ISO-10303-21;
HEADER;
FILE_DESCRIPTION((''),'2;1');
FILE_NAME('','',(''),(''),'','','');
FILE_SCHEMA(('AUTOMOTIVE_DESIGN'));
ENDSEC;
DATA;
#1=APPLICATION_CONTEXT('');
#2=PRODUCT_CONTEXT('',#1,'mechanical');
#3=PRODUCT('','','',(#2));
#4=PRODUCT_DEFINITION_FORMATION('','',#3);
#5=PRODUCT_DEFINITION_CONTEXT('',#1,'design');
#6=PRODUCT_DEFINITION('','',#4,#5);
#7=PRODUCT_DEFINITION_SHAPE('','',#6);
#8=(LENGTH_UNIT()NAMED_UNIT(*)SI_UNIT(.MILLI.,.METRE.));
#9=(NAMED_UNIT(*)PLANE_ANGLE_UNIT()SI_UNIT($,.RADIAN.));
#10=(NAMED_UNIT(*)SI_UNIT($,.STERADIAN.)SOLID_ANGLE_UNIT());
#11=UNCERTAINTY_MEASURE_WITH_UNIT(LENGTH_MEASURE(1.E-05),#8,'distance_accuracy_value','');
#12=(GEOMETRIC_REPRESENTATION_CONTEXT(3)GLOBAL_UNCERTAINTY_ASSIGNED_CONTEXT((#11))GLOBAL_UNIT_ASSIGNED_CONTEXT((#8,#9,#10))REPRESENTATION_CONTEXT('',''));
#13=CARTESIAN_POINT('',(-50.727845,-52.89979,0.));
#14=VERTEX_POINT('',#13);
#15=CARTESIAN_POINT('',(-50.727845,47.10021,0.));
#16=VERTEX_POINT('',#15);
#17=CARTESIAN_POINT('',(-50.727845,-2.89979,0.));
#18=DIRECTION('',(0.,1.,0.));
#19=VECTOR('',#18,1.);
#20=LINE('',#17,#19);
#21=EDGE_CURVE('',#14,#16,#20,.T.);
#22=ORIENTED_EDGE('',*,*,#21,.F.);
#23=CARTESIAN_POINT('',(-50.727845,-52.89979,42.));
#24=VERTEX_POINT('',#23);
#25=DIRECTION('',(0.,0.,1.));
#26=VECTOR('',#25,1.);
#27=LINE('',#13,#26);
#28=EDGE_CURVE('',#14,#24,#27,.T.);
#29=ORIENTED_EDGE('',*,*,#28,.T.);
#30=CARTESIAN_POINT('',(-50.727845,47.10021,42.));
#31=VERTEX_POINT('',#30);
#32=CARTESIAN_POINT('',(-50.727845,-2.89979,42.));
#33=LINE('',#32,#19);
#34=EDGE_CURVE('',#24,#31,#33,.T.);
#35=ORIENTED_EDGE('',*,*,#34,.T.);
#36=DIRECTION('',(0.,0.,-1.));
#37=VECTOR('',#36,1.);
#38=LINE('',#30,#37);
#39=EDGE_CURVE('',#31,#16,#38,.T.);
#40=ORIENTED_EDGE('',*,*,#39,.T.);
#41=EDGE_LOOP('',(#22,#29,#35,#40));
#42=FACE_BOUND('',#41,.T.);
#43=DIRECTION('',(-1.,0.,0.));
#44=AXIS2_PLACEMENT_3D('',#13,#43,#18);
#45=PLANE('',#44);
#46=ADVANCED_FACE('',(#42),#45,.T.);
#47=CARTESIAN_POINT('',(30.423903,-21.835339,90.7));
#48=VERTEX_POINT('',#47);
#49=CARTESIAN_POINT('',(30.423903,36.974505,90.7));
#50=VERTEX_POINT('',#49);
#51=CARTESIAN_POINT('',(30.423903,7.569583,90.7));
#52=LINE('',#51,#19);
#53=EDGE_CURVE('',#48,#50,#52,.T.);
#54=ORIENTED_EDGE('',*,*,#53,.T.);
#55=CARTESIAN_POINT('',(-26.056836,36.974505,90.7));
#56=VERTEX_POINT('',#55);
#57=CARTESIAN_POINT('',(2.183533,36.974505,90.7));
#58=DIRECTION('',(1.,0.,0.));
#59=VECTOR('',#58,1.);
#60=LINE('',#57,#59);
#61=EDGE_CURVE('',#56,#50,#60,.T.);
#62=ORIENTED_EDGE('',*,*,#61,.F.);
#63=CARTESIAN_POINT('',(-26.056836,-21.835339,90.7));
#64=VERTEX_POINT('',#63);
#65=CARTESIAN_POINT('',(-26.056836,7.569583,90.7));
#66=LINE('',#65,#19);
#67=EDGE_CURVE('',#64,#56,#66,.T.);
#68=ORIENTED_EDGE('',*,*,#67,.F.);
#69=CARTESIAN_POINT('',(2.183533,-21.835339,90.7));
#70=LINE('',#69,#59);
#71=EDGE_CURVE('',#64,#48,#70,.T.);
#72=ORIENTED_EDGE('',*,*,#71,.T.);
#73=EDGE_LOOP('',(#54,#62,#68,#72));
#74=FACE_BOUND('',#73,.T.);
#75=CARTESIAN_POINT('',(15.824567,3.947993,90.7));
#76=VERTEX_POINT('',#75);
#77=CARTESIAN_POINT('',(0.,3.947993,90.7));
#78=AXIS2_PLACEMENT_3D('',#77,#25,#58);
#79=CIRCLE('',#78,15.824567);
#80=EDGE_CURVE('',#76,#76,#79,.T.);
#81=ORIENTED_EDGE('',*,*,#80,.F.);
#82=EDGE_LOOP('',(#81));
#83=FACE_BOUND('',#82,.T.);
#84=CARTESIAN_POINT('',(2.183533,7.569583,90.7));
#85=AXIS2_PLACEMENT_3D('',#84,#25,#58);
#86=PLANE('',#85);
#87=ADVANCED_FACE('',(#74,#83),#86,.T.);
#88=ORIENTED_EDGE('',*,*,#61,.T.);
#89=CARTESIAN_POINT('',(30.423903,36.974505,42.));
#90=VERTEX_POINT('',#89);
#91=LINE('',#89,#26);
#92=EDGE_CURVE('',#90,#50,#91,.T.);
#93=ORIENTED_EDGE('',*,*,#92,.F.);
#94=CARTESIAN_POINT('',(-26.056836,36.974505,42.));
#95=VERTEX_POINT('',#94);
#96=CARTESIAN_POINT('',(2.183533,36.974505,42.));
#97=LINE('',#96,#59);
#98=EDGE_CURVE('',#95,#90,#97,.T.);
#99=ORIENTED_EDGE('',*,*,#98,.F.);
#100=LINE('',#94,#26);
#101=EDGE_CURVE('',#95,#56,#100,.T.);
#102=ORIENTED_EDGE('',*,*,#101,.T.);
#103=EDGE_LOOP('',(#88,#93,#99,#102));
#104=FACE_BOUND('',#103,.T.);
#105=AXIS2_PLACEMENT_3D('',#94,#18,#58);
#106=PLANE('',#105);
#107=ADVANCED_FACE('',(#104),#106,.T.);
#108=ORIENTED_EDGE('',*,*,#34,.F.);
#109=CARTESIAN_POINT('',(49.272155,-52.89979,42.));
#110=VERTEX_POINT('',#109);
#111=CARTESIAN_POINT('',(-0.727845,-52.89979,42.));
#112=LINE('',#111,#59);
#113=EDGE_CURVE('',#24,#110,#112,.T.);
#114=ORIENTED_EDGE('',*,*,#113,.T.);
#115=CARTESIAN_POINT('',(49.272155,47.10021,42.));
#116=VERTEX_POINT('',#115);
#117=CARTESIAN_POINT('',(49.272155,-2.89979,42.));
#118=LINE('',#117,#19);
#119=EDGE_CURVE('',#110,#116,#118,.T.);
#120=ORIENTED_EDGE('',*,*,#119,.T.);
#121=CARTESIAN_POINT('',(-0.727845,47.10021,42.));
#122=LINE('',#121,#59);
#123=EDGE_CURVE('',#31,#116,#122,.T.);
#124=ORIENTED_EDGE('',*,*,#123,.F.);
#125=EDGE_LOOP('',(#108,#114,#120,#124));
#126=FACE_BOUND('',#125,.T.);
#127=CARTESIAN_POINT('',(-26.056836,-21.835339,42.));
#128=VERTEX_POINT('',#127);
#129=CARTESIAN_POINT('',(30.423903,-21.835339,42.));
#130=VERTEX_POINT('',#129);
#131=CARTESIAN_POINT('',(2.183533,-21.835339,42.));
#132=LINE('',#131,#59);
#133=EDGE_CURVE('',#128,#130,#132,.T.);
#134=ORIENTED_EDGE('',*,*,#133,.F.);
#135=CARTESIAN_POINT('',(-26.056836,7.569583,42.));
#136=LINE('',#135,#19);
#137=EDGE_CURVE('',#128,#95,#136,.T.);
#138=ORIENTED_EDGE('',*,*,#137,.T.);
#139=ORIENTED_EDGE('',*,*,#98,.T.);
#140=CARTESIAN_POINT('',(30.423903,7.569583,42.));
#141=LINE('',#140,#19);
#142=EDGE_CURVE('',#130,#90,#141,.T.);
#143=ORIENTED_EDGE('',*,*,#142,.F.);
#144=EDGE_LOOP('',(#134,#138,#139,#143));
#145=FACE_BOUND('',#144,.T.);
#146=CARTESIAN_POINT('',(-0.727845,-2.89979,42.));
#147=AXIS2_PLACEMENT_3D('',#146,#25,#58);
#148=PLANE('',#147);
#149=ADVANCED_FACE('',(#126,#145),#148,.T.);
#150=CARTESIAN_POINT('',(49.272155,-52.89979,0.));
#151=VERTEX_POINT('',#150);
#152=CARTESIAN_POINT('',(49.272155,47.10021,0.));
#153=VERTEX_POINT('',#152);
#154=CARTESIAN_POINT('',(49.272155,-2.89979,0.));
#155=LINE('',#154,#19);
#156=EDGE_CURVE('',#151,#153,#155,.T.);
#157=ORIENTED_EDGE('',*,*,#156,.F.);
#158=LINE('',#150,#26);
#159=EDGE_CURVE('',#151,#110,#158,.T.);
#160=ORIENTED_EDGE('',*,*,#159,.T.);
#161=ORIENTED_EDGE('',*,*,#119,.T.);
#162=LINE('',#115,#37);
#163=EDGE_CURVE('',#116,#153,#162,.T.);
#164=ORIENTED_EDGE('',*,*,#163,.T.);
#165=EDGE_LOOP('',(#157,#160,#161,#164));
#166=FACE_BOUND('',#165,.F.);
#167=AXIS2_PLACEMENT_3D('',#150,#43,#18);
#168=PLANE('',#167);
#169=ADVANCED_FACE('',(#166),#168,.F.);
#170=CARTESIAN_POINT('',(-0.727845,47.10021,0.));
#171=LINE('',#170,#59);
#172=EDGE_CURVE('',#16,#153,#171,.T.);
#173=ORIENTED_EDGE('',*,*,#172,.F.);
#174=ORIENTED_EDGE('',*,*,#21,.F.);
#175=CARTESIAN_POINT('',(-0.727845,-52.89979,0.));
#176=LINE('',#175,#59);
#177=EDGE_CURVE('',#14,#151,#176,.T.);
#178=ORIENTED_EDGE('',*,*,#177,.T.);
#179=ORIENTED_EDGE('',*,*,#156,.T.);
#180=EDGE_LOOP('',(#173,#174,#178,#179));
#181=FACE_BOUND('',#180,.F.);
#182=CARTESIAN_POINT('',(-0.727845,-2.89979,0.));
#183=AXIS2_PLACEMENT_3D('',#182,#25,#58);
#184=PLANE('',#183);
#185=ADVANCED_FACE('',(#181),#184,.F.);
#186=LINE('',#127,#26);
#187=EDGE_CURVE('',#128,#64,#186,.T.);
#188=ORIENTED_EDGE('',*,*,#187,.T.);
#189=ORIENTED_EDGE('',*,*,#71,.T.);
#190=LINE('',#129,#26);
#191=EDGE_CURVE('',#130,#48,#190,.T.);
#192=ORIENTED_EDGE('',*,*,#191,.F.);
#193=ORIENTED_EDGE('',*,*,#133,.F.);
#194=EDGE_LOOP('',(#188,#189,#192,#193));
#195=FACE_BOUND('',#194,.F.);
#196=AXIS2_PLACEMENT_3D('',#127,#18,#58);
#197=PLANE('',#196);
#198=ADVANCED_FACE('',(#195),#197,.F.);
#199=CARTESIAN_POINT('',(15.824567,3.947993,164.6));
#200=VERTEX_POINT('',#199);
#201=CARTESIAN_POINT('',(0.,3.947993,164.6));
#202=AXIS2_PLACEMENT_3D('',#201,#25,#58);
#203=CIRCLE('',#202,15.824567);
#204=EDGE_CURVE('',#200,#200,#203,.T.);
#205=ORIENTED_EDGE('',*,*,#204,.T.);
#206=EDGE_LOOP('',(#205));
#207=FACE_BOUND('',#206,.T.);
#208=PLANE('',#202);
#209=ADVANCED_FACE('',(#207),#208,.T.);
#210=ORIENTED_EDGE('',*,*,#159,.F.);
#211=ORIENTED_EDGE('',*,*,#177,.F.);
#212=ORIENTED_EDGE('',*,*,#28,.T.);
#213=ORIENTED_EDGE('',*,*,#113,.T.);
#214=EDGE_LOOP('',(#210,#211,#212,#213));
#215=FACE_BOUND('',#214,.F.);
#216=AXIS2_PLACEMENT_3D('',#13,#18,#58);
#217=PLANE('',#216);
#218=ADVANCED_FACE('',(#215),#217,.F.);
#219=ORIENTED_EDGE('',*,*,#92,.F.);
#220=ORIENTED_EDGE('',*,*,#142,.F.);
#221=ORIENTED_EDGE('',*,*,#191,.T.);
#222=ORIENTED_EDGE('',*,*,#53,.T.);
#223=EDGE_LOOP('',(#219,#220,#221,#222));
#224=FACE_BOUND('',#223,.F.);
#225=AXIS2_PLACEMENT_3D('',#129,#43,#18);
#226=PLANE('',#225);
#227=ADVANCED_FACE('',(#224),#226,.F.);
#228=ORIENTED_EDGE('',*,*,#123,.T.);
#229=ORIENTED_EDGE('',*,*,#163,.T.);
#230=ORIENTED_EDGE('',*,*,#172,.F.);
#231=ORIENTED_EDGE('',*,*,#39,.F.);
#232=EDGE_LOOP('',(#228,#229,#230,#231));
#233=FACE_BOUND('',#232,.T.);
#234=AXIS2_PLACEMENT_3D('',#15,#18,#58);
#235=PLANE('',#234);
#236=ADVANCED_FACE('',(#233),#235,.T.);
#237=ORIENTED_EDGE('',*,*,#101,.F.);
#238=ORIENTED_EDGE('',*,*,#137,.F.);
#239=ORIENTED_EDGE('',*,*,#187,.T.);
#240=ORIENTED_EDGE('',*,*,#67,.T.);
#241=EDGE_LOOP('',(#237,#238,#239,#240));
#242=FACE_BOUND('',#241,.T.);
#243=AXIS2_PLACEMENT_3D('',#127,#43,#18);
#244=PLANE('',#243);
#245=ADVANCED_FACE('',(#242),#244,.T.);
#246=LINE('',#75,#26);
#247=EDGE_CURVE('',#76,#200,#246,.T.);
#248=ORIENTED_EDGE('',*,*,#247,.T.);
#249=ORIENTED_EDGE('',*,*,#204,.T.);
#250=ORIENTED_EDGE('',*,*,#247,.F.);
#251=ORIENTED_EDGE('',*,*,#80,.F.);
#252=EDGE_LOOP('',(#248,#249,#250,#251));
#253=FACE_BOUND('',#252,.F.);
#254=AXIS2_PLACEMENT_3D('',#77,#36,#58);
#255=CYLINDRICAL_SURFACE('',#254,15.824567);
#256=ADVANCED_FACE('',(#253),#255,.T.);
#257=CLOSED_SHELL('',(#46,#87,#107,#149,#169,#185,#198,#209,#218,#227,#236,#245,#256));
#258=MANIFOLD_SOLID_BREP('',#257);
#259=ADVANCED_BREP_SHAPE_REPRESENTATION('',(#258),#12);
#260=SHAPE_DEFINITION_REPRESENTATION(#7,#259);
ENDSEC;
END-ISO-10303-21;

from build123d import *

# Parameters (mm, degrees)
F0_W     = 100
F0_H     = 100
F1_DEPTH = 42
F2_W     = 56.480739
F2_H     = 58.809845
F3_DEPTH = 48.7
F4_R     = 15.824567
F5_DEPTH = 73.9
F6_DEPTH = 25


with BuildPart() as f1:
    # F0 (on Top) → F1 (new body)
    with BuildSketch(Plane.XY):
        with Locations((-0.727845, -2.89979)):
            Rectangle(F0_W, F0_H)
    extrude(amount=F1_DEPTH)

    # F2 (on face) → F3 (join)
    with BuildSketch(Plane.XY.offset(42)):
        with Locations((2.183533, 7.569583)):
            Rectangle(F2_W, F2_H)
    extrude(amount=F3_DEPTH)

    # F4 (on face) → F5 (join)
    with BuildSketch(Plane.XY.offset(90.7)):
        with Locations((0, 3.947993)):
            Circle(F4_R)
    extrude(amount=F5_DEPTH)

    # F0 (on Top) → F6 (join)
    with BuildSketch(Plane.XY):
        with Locations((-0.727845, -2.89979)):
            Rectangle(F0_W, F0_H)
    extrude(amount=F6_DEPTH)


solid = f1.part
